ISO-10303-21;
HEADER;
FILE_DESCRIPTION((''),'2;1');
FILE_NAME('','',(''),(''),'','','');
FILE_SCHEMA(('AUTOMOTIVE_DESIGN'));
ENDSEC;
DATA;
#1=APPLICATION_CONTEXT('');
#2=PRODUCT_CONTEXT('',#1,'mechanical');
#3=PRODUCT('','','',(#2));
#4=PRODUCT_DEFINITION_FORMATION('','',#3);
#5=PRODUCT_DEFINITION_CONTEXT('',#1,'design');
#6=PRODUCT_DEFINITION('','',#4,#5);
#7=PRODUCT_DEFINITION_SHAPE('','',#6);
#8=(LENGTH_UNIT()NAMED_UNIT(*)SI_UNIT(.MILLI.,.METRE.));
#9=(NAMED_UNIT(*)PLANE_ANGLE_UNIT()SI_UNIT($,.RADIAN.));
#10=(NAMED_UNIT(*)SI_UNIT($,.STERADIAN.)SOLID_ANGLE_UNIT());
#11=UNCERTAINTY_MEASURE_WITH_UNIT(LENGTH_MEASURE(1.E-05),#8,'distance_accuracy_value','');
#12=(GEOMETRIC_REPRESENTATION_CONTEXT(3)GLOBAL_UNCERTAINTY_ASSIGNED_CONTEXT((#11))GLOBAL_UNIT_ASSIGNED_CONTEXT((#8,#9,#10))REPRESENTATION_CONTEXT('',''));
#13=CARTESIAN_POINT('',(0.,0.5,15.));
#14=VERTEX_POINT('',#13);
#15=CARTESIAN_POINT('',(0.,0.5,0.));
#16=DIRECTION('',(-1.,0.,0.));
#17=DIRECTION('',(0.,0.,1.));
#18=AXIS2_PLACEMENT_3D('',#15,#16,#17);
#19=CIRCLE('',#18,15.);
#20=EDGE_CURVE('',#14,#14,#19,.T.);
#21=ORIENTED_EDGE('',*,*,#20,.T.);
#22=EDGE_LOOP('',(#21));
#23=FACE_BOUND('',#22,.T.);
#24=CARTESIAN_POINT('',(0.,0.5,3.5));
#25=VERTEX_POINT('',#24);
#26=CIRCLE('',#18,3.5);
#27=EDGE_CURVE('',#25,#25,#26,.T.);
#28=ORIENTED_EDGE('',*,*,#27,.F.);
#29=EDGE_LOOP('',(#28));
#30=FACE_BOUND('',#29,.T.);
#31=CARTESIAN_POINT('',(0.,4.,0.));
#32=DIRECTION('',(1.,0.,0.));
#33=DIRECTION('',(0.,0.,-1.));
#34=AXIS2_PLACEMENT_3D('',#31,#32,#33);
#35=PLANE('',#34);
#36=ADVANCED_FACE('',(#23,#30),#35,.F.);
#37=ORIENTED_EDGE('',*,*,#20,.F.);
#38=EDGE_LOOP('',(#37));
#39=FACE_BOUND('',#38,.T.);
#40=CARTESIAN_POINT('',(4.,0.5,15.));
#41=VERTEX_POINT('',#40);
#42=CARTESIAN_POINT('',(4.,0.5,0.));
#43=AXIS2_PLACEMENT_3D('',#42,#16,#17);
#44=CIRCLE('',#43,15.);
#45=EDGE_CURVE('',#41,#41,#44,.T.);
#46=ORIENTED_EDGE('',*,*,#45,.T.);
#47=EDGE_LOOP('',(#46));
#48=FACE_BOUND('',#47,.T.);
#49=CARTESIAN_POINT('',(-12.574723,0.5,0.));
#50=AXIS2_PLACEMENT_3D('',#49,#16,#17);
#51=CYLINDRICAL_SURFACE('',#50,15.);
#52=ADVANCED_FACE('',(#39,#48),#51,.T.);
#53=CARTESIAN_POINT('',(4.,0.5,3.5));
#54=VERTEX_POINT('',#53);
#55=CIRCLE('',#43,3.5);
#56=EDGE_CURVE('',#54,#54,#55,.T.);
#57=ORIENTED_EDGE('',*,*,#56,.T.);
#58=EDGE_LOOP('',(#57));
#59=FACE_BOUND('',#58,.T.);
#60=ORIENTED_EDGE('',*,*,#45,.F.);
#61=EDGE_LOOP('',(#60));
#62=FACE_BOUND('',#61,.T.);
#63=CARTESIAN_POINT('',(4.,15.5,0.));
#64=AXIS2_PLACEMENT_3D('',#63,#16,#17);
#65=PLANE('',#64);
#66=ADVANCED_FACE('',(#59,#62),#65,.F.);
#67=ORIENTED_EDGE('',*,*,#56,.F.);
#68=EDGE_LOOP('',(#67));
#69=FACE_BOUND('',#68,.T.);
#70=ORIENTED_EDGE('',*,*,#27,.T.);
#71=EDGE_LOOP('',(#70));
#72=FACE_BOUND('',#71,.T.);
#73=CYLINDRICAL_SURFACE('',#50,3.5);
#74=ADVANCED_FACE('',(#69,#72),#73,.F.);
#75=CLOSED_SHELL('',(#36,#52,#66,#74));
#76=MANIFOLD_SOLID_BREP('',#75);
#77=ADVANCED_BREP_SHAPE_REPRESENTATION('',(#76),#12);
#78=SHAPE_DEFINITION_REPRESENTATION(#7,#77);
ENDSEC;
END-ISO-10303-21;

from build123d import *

# Parameters (mm, degrees)
ESQUISSE1_W = 4
ESQUISSE1_H = 11.5


with BuildPart() as part:
    # Esquisse1 → Base-Révolution (revolve)
    with BuildSketch(Plane.XY, mode=Mode.PRIVATE) as base_r_volution_sk:
        with Locations((2, 9.75)):
            Rectangle(ESQUISSE1_W, ESQUISSE1_H)
    revolve(base_r_volution_sk.sketch.rotate(Axis((-12.574722565, 0.5, 0), (1, 0, 0)), 90), axis=Axis((-12.574722565, 0.5, 0), (1, 0, 0)))


solid = part.part
